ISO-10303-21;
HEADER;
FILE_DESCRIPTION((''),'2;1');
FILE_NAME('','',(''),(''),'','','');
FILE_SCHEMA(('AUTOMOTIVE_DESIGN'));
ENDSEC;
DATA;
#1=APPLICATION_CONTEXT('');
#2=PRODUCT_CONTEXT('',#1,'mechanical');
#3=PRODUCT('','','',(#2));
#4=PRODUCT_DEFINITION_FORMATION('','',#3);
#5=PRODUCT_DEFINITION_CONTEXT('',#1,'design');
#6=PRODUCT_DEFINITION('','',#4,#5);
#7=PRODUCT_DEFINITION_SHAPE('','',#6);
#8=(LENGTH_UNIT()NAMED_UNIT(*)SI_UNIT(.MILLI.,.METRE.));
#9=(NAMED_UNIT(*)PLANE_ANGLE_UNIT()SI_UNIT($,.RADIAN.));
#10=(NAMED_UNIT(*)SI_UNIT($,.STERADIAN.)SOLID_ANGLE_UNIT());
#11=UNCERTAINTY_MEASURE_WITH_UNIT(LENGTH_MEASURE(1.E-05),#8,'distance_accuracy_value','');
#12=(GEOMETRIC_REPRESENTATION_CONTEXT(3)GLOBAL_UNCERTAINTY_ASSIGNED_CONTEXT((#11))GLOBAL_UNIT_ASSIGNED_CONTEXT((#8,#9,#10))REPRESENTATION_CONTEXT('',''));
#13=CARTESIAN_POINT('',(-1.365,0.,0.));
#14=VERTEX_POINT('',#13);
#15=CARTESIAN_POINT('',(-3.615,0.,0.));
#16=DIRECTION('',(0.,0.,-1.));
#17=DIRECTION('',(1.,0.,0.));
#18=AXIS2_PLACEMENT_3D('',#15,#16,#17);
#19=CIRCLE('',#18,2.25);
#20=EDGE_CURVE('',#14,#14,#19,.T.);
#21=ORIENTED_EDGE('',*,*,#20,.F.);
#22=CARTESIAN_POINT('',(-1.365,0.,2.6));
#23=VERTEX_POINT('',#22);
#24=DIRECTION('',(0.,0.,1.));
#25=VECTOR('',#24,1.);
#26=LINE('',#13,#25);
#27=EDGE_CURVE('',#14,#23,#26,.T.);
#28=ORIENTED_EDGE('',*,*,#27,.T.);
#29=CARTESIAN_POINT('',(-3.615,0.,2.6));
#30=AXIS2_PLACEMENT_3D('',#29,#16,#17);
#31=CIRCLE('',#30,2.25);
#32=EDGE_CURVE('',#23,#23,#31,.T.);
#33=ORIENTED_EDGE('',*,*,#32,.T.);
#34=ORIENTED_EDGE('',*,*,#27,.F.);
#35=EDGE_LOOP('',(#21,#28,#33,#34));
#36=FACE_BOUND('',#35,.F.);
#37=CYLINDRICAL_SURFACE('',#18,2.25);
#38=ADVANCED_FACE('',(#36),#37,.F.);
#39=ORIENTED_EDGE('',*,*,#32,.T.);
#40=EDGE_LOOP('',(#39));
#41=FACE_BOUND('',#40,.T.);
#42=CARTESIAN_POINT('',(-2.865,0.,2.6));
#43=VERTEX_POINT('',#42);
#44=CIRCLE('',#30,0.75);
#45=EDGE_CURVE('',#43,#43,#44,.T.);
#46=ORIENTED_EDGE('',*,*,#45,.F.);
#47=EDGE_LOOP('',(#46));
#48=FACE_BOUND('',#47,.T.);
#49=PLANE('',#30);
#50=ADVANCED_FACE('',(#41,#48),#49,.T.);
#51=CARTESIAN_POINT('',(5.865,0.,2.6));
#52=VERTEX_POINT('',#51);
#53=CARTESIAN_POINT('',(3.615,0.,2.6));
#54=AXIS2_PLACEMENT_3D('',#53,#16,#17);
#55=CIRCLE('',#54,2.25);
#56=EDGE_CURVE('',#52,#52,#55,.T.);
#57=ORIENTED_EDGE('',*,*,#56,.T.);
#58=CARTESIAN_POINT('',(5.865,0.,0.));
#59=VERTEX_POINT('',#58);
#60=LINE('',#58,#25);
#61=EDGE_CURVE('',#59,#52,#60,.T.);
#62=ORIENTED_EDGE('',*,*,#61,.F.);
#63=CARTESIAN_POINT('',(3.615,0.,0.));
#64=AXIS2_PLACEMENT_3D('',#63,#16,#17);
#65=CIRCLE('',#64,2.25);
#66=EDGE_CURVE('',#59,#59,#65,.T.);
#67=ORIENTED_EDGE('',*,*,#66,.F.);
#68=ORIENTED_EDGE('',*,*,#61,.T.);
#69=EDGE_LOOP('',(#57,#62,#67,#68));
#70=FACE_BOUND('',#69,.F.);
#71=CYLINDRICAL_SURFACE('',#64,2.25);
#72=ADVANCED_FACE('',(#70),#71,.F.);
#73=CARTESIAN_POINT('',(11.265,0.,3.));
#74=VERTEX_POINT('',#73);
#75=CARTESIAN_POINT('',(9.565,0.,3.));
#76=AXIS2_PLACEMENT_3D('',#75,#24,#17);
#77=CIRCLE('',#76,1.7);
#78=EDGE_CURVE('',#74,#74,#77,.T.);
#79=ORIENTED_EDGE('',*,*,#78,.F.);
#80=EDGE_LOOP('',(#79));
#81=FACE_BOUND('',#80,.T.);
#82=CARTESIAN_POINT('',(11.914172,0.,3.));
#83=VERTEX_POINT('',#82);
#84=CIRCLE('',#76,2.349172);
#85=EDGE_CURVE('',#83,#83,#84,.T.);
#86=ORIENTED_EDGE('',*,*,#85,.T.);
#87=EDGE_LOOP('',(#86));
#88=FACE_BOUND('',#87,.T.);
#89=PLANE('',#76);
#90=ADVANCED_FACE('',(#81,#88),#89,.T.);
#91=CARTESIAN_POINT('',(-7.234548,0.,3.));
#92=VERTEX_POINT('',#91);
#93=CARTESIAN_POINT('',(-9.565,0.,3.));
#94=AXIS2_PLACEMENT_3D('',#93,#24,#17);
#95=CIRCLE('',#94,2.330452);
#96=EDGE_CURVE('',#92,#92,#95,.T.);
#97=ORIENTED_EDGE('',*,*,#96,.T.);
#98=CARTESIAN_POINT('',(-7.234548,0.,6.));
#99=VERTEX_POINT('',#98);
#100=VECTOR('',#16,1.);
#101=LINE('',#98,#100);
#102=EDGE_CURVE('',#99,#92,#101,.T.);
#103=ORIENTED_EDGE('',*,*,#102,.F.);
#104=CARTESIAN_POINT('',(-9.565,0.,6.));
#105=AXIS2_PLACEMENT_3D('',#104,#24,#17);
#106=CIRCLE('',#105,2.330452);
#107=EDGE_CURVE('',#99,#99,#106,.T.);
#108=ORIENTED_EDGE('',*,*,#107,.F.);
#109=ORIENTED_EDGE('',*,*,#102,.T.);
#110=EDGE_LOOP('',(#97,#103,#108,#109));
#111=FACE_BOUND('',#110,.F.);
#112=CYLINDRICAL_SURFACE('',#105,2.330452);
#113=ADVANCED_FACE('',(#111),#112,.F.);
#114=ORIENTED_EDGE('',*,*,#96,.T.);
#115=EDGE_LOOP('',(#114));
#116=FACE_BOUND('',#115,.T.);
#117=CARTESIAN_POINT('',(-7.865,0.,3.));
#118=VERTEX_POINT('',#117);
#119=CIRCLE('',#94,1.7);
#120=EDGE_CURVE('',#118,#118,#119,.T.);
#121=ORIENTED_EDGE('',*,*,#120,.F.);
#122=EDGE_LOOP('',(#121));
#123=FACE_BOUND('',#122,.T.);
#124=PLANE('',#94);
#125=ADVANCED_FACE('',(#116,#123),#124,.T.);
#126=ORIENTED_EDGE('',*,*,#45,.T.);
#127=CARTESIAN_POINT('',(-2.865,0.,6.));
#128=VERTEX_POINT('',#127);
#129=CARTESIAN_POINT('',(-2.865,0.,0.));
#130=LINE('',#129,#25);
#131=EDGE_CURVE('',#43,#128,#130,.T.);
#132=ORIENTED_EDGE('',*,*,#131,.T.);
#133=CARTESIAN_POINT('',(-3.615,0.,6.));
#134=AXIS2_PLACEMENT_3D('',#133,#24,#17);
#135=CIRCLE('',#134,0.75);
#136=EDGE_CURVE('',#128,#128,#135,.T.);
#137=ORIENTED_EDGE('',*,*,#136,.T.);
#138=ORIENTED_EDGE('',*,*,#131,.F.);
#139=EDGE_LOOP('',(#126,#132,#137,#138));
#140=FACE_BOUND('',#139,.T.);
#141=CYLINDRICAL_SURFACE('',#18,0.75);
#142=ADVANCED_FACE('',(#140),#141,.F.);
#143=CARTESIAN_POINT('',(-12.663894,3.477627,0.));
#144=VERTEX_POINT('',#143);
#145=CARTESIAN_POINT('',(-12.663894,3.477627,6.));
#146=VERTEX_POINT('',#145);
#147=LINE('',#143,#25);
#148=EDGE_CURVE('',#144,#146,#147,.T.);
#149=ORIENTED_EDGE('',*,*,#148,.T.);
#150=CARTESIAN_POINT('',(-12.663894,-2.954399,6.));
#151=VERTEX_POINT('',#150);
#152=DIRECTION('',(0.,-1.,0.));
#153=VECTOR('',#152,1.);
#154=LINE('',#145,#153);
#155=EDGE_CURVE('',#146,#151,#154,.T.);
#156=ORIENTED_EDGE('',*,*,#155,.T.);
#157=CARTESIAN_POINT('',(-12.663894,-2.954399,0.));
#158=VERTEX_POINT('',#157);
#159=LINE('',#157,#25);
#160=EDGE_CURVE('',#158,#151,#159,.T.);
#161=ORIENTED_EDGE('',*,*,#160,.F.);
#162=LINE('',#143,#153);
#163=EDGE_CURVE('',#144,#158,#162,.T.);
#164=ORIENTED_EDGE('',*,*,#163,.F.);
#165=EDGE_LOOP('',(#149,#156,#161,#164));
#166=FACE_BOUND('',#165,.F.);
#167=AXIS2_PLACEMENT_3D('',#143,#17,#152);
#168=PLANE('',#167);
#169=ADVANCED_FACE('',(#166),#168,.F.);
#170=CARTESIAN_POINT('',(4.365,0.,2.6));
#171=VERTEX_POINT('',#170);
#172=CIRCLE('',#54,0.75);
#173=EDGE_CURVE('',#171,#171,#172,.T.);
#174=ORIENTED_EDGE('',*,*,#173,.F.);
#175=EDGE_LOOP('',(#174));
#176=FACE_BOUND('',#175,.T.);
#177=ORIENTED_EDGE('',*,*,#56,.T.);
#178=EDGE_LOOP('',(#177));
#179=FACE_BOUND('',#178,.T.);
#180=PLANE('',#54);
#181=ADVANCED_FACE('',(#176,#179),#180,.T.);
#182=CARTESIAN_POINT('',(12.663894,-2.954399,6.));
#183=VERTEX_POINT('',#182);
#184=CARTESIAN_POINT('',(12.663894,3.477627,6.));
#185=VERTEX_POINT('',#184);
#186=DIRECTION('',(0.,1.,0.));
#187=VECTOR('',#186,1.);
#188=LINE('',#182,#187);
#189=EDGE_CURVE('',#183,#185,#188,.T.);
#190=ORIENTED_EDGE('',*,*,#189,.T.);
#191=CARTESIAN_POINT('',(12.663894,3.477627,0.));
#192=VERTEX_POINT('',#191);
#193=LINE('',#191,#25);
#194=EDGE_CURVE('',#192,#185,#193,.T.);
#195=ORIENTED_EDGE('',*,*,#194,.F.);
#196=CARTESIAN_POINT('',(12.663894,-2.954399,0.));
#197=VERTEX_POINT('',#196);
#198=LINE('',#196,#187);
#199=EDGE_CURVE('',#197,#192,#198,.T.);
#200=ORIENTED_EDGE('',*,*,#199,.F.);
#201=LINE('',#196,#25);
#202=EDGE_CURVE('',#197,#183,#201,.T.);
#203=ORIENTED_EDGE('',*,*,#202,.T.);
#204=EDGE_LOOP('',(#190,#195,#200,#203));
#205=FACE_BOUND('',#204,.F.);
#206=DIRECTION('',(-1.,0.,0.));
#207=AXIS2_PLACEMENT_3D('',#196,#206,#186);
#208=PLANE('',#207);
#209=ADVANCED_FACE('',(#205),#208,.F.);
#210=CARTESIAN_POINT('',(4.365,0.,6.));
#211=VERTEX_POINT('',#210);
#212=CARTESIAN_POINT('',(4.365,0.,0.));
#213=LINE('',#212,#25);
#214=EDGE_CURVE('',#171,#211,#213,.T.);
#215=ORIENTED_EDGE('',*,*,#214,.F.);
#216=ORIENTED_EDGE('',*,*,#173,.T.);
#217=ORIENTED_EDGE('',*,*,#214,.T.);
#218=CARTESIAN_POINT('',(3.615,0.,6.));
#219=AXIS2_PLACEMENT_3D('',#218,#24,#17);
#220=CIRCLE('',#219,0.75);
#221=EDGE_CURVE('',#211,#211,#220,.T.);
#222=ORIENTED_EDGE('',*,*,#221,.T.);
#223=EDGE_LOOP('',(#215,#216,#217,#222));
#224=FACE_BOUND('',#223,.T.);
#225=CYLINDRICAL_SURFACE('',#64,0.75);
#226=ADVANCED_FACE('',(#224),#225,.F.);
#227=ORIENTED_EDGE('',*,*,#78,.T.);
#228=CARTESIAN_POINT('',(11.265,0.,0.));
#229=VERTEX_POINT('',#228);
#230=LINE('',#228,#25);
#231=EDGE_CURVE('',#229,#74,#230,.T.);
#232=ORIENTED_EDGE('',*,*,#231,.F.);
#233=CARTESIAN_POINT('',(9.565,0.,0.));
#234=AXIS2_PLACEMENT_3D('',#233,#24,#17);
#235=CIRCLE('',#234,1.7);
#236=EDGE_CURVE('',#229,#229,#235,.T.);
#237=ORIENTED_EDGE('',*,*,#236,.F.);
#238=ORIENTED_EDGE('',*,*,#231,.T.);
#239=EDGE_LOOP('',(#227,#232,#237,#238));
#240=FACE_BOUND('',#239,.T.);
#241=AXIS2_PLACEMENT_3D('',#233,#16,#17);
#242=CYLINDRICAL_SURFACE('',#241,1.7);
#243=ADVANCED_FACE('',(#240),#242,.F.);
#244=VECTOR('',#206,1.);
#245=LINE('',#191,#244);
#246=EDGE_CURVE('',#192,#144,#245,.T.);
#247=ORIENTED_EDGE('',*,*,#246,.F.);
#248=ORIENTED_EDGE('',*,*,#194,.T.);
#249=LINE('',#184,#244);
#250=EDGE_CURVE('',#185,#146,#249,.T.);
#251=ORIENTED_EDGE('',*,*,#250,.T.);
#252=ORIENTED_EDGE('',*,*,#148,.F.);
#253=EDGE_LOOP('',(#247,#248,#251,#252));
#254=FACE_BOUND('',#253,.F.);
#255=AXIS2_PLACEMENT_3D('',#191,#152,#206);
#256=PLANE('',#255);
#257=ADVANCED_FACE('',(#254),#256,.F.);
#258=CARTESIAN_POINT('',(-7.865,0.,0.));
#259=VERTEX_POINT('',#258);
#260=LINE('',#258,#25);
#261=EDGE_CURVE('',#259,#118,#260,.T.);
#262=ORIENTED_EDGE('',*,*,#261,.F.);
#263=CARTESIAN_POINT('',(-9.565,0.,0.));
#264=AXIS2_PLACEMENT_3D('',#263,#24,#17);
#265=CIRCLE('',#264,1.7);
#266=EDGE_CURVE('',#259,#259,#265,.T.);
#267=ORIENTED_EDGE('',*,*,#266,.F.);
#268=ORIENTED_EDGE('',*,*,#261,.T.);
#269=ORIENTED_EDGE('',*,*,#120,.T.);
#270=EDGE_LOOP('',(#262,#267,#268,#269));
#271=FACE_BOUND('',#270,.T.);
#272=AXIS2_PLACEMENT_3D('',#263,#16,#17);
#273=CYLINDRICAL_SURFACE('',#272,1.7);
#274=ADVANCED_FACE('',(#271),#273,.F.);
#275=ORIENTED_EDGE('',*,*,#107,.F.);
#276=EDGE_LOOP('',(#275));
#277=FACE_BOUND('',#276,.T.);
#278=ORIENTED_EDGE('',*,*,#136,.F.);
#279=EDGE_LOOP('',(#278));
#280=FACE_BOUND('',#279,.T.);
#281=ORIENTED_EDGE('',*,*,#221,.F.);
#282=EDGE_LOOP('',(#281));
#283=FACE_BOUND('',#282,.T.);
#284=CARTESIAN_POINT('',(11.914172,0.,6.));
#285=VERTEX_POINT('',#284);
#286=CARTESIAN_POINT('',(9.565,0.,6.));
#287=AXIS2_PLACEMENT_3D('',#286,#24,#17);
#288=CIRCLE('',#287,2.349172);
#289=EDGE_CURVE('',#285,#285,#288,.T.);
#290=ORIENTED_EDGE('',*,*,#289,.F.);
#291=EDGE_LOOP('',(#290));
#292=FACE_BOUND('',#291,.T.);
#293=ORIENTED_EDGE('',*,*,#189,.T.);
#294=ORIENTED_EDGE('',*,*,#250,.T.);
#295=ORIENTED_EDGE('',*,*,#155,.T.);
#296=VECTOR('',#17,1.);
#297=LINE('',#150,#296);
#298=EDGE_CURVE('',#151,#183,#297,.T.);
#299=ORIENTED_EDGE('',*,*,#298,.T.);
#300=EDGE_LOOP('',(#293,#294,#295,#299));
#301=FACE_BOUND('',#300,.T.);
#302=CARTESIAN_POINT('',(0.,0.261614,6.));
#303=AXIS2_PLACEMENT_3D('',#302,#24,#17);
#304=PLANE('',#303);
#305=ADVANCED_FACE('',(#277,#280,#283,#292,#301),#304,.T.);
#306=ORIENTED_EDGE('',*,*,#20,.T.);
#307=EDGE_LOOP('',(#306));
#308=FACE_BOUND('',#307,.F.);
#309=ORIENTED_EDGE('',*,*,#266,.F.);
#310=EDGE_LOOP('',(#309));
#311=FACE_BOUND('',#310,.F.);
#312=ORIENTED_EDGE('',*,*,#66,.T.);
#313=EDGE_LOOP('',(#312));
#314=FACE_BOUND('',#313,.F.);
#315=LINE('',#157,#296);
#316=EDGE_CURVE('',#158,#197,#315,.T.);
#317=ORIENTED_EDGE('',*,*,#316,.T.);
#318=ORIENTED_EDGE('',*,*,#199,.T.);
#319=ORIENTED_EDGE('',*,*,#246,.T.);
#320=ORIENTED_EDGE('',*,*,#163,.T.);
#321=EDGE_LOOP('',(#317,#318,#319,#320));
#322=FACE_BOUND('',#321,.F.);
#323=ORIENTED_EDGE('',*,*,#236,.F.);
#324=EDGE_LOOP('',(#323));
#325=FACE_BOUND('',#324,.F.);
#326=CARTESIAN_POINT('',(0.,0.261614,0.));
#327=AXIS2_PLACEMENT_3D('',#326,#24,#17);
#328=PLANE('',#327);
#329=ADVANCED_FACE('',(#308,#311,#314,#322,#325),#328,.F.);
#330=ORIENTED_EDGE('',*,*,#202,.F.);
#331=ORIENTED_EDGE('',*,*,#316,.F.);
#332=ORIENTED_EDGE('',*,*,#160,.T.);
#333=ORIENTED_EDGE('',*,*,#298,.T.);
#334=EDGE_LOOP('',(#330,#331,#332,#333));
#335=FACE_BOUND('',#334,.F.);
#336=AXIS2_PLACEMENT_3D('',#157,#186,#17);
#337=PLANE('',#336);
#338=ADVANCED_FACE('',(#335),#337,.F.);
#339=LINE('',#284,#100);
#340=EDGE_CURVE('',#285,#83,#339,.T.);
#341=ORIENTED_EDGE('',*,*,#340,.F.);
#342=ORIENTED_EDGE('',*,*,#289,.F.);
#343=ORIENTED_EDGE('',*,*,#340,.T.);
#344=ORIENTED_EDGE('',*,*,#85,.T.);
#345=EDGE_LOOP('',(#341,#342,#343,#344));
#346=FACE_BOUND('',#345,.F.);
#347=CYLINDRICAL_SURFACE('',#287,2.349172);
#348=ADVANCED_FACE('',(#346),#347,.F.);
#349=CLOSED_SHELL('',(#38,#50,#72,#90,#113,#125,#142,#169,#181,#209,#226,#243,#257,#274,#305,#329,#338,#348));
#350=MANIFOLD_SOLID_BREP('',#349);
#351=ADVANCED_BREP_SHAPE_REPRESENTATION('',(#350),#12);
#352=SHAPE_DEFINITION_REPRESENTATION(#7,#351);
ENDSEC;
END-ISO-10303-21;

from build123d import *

# Parameters (mm, degrees)
F0_R     = 1.7
F0_R_2   = 0.75
F1_DEPTH = 6
F2_R     = 2.330452
F2_R_2   = 1.7
F2_R_3   = 2.349172
F3_DEPTH = 3
F4_R     = 2.25
F4_R_2   = 0.75
F5_DEPTH = 2.6


with BuildPart() as f1:
    # F0 (on Top) → F1 (new body)
    with BuildSketch(Plane.XY):
        Polygon((12.663894, 0), (12.663894, 3.477627), (-12.663894, 3.477627), (-12.663894, -2.954399), (12.663894, -2.954399), align=None)
        with Locations((-9.565, 0)):
            Circle(F0_R, mode=Mode.SUBTRACT)
        with Locations((-3.615, 0)):
            Circle(F0_R_2, mode=Mode.SUBTRACT)
        with Locations((3.615, 0)):
            Circle(F0_R_2, mode=Mode.SUBTRACT)
        with Locations((9.565, 0)):
            Circle(F0_R, mode=Mode.SUBTRACT)
    extrude(amount=F1_DEPTH)

    # F2 (on face) → F3 (cut)
    with BuildSketch(Plane.XY.offset(6)):
        with Locations((-9.565, 0)):
            Circle(F2_R)
        with Locations((-9.565, 0)):
            Circle(F2_R_2, mode=Mode.SUBTRACT)
        with Locations((9.565, 0)):
            Circle(F2_R_3)
        with Locations((9.565, 0)):
            Circle(F2_R_2, mode=Mode.SUBTRACT)
    extrude(amount=-F3_DEPTH, mode=Mode.SUBTRACT)

    # F4 (on face) → F5 (cut)
    with BuildSketch(Plane(origin=(0, 0, 0), x_dir=(1, 0, 0), z_dir=(0, 0, -1))):
        with Locations((-3.615, 0)):
            Circle(F4_R)
        with Locations((-3.615, 0)):
            Circle(F4_R_2, mode=Mode.SUBTRACT)
        with Locations((3.615, 0)):
            Circle(F4_R)
        with Locations((3.615, 0)):
            Circle(F4_R_2, mode=Mode.SUBTRACT)
    extrude(amount=-F5_DEPTH, mode=Mode.SUBTRACT)


solid = f1.part
